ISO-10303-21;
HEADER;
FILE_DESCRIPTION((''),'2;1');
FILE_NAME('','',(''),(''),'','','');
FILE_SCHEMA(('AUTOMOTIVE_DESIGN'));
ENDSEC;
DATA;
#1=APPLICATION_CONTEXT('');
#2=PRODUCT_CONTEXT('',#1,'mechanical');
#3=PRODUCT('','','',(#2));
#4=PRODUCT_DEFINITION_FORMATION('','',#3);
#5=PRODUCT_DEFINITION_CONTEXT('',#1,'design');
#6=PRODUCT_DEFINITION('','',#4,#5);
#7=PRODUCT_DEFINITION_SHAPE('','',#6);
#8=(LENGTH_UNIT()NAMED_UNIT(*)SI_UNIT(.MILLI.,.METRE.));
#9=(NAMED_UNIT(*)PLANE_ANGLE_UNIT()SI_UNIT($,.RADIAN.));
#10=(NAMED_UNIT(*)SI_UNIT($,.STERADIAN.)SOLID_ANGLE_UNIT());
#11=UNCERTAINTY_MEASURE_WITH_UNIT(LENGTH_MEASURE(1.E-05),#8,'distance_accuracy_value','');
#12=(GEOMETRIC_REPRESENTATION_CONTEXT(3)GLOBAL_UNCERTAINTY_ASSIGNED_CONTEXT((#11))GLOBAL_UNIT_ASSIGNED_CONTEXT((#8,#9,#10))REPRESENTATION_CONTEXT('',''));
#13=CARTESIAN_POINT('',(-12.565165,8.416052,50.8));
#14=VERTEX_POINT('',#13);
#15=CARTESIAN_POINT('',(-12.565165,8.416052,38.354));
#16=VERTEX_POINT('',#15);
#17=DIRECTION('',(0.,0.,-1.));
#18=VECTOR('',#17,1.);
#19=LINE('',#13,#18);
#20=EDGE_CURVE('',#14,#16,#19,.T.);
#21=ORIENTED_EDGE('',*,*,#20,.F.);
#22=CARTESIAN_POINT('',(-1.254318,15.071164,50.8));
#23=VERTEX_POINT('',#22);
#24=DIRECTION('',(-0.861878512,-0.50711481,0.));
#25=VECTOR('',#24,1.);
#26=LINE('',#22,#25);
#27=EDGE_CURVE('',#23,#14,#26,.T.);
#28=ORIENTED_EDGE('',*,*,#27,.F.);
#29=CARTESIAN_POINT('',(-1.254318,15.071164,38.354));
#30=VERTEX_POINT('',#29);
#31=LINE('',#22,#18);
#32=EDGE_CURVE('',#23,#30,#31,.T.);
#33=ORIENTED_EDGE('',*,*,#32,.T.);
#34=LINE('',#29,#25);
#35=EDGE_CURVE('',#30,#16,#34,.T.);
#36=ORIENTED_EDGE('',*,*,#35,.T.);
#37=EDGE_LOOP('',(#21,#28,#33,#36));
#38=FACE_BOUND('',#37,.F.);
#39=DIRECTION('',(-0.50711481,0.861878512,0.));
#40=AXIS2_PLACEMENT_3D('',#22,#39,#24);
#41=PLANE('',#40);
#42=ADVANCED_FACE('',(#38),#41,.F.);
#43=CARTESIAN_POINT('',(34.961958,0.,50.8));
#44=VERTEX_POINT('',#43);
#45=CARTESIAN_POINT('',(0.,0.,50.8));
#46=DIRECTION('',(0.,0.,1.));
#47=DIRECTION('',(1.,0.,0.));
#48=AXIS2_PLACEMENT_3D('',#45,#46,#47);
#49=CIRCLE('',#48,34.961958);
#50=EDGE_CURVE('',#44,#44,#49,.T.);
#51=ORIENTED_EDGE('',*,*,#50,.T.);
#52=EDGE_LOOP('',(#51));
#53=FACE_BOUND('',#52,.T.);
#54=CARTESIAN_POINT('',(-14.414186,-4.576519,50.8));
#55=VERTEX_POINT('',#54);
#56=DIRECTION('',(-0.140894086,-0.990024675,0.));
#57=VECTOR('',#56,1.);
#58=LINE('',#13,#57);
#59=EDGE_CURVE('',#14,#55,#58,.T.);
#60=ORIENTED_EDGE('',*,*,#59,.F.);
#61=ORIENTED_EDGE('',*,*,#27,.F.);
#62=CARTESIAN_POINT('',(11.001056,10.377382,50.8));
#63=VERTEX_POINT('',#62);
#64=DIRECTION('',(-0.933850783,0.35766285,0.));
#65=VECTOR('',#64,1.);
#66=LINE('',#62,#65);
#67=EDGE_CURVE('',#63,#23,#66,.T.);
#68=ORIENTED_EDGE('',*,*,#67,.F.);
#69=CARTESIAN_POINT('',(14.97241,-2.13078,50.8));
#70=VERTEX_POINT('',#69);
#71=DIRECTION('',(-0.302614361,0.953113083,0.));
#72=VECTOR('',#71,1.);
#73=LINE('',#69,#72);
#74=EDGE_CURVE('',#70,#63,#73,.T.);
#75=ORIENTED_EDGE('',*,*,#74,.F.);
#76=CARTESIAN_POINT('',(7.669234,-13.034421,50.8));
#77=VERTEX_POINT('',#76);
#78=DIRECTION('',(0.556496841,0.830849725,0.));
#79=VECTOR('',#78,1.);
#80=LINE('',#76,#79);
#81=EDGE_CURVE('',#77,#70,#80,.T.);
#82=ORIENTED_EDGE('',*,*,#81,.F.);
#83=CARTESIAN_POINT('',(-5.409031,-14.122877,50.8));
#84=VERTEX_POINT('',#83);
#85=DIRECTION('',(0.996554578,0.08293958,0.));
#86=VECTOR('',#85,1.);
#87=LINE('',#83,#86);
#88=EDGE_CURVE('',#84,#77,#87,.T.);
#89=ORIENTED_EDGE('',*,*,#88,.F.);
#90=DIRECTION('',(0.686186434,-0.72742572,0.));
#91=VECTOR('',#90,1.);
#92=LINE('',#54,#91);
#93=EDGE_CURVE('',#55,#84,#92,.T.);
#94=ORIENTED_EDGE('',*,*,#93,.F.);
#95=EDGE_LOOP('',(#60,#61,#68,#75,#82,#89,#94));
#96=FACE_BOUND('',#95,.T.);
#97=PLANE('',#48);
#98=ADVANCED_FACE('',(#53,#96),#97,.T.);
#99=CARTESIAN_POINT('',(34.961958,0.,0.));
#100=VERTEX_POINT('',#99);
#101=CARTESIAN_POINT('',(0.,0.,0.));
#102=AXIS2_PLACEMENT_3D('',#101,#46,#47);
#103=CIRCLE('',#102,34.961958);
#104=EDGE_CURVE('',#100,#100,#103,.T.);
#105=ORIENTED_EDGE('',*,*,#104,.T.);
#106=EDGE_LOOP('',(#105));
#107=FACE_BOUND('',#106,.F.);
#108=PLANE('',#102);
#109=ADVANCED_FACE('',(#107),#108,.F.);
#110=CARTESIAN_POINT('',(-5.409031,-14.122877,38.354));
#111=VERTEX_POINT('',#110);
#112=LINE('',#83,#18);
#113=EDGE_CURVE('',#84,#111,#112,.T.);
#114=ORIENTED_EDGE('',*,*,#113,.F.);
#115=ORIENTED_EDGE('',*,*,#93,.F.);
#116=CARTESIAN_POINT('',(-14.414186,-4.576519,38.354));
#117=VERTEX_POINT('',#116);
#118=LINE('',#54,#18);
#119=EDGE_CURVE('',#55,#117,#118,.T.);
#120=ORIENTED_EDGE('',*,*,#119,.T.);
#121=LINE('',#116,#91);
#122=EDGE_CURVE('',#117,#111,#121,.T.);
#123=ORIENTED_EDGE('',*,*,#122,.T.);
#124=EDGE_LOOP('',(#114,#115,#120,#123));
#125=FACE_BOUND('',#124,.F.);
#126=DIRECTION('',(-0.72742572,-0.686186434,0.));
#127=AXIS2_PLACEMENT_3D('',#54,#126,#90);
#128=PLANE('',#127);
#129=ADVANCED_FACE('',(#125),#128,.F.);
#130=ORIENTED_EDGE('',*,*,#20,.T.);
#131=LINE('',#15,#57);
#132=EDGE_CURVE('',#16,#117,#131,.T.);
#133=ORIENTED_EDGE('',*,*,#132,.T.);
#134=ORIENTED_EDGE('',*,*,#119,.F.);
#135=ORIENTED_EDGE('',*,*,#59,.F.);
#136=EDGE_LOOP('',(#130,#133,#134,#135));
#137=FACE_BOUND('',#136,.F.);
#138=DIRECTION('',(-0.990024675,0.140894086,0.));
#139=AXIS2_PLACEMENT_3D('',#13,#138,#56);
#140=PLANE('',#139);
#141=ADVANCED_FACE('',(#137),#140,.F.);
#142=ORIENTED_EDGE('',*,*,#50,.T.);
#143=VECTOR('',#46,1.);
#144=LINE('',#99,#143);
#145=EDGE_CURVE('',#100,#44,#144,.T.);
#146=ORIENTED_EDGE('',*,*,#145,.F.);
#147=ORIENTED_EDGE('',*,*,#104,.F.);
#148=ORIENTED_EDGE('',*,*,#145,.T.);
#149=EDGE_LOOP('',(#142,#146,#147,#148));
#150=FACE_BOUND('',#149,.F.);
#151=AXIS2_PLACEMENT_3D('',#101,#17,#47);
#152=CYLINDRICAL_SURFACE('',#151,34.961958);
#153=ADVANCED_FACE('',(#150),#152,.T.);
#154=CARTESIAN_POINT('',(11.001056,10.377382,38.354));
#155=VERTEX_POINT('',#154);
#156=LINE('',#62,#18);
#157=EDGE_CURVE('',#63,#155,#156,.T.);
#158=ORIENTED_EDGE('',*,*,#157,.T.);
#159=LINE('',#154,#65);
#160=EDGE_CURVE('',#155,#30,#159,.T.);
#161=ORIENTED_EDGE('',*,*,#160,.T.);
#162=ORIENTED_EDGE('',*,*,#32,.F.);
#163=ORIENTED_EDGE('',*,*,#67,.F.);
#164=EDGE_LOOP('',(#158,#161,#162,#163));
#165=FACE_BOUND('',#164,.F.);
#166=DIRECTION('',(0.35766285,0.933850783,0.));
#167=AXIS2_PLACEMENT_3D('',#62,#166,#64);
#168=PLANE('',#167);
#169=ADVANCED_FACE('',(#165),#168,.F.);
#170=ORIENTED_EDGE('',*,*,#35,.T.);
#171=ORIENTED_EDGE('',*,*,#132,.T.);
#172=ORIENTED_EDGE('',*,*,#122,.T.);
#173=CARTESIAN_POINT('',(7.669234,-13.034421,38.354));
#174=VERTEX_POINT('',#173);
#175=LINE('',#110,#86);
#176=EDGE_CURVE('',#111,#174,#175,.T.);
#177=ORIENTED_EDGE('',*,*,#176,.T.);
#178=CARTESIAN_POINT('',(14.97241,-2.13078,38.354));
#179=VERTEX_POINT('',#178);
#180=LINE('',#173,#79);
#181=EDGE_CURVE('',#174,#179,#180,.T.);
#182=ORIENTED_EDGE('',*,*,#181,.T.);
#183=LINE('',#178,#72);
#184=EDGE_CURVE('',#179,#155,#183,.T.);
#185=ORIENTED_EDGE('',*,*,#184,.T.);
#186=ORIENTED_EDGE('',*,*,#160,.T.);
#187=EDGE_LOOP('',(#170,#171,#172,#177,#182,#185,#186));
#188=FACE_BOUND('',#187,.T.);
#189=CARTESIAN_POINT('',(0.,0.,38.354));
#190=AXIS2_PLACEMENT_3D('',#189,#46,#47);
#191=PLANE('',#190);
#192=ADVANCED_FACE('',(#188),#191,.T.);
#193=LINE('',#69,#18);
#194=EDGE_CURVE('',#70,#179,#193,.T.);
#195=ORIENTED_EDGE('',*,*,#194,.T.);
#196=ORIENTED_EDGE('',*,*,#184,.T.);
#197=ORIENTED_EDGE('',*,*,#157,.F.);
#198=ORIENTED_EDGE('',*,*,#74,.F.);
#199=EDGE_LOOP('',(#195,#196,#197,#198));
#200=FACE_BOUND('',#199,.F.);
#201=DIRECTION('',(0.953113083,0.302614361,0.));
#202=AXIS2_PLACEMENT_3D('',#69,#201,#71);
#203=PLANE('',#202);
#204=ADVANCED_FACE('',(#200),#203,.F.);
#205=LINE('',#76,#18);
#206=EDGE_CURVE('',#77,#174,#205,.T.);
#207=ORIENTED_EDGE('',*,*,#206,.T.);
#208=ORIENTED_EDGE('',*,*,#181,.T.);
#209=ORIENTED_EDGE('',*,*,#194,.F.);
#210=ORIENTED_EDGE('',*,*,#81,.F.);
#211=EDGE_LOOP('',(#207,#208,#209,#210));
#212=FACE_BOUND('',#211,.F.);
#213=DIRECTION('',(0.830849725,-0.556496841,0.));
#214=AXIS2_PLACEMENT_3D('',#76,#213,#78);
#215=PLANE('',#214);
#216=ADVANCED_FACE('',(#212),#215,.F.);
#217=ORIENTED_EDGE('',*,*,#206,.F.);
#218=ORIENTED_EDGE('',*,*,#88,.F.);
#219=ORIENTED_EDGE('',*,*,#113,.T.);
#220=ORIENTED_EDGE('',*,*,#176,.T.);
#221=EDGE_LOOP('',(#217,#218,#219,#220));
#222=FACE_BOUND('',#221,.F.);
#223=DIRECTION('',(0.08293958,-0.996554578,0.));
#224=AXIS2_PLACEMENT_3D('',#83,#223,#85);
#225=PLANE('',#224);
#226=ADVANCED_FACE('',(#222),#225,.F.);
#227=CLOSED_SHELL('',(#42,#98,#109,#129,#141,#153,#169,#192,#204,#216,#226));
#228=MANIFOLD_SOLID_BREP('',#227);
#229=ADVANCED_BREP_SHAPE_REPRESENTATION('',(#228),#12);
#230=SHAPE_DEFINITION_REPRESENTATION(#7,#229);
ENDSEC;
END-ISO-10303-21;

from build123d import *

# Parameters (mm, degrees)
F0_R     = 34.961958
F1_DEPTH = 50.8
F3_DEPTH = 12.446


with BuildPart() as f1:
    # F0 (on Top) → F1 (new body)
    with BuildSketch(Plane.XY):
        Circle(F0_R)
    extrude(amount=F1_DEPTH)

    # F2 (on face) → F3 (cut)
    with BuildSketch(Plane.XY.offset(50.8)):
        Polygon((11.001056, 10.377382), (-1.254318, 15.071164), (-12.565165, 8.416052), (-14.414186, -4.576519), (-5.409031, -14.122877), (7.669234, -13.034421), (14.97241, -2.13078), align=None)
    extrude(amount=-F3_DEPTH, mode=Mode.SUBTRACT)


solid = f1.part
